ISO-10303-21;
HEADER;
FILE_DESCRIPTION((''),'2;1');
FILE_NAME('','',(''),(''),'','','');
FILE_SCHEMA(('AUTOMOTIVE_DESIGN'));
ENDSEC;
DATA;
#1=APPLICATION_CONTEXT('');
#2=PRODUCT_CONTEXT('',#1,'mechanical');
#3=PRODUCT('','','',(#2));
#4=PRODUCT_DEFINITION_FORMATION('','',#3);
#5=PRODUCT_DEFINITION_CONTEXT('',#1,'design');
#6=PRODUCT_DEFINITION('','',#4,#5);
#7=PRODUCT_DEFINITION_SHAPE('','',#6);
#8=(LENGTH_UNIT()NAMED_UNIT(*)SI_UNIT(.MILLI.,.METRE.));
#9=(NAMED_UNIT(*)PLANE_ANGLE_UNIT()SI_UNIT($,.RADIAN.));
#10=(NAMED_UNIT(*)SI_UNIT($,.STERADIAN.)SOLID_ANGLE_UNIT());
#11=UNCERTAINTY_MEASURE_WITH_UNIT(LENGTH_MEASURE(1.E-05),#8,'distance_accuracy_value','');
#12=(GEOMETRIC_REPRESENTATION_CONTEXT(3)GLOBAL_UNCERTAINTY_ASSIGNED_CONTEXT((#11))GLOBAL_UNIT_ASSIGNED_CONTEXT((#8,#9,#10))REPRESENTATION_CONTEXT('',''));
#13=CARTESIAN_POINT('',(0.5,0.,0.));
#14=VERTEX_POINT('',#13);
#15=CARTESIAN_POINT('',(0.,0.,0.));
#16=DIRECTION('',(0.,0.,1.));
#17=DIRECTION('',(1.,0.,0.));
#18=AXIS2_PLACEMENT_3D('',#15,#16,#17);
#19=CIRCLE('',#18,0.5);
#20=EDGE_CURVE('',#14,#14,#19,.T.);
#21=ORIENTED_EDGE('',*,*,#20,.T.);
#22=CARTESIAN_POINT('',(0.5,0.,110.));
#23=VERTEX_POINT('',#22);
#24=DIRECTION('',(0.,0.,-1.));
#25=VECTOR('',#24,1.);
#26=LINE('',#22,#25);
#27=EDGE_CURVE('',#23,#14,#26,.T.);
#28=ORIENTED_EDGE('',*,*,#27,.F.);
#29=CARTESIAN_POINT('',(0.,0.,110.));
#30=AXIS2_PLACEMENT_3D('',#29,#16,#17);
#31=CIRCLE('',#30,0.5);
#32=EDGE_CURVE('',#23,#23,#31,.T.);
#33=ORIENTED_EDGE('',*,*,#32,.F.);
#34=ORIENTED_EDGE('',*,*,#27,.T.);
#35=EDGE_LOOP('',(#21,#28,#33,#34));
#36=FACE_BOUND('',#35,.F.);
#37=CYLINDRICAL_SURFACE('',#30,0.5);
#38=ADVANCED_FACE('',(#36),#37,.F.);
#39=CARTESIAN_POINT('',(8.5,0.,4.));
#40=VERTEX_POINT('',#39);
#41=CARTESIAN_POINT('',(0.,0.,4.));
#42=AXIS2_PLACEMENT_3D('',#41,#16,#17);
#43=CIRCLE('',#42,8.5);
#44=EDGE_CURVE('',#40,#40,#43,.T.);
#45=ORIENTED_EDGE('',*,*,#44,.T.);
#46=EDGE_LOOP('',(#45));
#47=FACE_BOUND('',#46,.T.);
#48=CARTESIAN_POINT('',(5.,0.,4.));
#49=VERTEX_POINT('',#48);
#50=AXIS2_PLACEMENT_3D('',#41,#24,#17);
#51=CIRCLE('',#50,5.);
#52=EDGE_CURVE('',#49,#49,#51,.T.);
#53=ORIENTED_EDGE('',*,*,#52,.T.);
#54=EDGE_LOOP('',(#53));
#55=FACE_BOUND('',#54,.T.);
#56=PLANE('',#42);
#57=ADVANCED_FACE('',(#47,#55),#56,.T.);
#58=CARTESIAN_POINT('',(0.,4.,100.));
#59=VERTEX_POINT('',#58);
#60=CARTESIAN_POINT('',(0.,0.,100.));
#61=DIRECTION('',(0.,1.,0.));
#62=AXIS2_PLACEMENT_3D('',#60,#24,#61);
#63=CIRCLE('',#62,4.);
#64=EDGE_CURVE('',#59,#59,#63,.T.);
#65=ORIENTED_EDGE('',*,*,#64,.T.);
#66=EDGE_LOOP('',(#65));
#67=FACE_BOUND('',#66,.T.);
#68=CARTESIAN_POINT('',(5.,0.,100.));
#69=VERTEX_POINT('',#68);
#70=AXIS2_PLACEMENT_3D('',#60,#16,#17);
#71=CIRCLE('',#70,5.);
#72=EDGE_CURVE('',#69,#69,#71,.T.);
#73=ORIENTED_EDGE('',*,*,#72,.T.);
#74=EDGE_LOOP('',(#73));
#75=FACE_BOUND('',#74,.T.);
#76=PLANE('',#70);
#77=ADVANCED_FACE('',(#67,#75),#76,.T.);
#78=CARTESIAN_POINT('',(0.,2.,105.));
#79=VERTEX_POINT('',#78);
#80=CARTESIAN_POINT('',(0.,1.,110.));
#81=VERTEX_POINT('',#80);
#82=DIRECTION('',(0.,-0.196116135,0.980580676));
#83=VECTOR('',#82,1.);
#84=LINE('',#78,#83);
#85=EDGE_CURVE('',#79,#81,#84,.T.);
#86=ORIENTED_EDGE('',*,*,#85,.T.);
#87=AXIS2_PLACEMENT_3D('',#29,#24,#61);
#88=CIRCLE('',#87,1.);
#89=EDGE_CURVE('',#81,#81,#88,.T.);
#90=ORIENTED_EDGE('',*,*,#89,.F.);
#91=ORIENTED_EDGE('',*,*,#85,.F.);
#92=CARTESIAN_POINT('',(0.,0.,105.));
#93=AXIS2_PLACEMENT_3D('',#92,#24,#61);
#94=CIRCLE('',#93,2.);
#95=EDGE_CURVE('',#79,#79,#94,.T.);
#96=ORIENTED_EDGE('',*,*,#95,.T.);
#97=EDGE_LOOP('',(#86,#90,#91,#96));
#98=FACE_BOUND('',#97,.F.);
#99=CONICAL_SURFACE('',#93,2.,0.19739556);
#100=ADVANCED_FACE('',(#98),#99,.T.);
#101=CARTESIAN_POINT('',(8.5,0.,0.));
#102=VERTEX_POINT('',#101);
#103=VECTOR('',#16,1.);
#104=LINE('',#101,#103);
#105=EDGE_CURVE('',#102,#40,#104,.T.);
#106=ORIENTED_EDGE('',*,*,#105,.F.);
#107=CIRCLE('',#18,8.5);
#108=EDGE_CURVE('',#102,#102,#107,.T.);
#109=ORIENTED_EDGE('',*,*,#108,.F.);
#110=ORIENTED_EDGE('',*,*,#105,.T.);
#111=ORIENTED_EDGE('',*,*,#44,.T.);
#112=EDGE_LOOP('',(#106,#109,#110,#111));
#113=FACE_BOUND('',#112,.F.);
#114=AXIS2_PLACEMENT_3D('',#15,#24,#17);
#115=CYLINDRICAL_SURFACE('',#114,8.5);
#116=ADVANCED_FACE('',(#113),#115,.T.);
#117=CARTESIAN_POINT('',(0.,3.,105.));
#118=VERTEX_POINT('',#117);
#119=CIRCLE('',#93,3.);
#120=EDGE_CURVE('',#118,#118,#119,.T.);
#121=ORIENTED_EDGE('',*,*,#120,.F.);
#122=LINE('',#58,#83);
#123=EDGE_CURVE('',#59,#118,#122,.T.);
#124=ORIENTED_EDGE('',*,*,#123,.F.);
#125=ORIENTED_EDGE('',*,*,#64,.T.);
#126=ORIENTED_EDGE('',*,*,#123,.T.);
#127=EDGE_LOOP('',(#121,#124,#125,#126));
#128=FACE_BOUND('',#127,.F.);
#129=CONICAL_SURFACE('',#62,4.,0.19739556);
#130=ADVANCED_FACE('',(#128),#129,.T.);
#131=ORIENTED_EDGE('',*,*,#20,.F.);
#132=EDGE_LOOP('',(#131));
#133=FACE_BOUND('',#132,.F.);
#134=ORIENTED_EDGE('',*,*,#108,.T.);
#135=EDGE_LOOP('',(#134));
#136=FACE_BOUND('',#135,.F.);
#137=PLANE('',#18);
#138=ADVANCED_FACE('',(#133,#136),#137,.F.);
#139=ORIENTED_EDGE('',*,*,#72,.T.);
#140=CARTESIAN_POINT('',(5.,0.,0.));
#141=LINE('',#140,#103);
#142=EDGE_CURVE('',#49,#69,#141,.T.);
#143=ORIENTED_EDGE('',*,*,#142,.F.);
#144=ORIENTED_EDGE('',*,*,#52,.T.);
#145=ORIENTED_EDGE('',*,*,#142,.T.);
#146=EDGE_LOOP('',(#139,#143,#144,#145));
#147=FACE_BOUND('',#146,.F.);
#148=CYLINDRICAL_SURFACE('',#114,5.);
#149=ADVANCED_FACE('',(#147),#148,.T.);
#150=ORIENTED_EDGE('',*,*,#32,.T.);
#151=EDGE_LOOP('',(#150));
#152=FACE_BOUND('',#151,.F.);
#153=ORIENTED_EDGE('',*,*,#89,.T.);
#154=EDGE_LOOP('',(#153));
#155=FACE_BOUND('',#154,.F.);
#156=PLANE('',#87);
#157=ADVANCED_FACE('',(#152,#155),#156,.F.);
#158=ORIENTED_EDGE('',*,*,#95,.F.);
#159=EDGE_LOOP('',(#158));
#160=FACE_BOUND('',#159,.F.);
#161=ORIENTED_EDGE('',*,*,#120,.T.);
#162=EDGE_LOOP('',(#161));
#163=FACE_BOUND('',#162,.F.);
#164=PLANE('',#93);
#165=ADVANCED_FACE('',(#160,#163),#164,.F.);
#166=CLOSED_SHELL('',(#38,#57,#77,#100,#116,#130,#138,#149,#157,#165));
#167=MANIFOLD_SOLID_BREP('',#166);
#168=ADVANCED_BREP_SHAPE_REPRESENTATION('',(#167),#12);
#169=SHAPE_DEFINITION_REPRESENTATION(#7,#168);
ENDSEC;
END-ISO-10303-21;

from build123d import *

# Parameters (mm, degrees)
F0_R     = 8.5
F1_DEPTH = 4
F2_R     = 5
F3_DEPTH = 100
F8_R     = 0.5
F9_DEPTH = 125.6


with BuildPart() as f1:
    # F0 (on Top) → F1 (new body)
    with BuildSketch(Plane.XY):
        Circle(F0_R)
    extrude(amount=F1_DEPTH)

    # F2 (on Top) → F3 (join)
    with BuildSketch(Plane.XY):
        Circle(F2_R)
    extrude(amount=F3_DEPTH)

    # F4 (on Right) → F5 (revolve)
    with BuildSketch(Plane.YZ):
        Polygon((3, 105), (0, 105), (0, 100), (4, 100), align=None)
    revolve(axis=Axis((0, 0, 102.5), (0, 0, -1)))

    # F6 (on Right) → F7 (revolve)
    with BuildSketch(Plane.YZ):
        Polygon((1, 110), (0, 110), (0, 105), (2, 105), align=None)
    revolve(axis=Axis((0, 0, 107.5), (0, 0, -1)))

    # F8 (on face) → F9 (cut)
    with BuildSketch(Plane.XY.offset(110)):
        Circle(F8_R)
    extrude(amount=-F9_DEPTH, mode=Mode.SUBTRACT)


solid = f1.part
